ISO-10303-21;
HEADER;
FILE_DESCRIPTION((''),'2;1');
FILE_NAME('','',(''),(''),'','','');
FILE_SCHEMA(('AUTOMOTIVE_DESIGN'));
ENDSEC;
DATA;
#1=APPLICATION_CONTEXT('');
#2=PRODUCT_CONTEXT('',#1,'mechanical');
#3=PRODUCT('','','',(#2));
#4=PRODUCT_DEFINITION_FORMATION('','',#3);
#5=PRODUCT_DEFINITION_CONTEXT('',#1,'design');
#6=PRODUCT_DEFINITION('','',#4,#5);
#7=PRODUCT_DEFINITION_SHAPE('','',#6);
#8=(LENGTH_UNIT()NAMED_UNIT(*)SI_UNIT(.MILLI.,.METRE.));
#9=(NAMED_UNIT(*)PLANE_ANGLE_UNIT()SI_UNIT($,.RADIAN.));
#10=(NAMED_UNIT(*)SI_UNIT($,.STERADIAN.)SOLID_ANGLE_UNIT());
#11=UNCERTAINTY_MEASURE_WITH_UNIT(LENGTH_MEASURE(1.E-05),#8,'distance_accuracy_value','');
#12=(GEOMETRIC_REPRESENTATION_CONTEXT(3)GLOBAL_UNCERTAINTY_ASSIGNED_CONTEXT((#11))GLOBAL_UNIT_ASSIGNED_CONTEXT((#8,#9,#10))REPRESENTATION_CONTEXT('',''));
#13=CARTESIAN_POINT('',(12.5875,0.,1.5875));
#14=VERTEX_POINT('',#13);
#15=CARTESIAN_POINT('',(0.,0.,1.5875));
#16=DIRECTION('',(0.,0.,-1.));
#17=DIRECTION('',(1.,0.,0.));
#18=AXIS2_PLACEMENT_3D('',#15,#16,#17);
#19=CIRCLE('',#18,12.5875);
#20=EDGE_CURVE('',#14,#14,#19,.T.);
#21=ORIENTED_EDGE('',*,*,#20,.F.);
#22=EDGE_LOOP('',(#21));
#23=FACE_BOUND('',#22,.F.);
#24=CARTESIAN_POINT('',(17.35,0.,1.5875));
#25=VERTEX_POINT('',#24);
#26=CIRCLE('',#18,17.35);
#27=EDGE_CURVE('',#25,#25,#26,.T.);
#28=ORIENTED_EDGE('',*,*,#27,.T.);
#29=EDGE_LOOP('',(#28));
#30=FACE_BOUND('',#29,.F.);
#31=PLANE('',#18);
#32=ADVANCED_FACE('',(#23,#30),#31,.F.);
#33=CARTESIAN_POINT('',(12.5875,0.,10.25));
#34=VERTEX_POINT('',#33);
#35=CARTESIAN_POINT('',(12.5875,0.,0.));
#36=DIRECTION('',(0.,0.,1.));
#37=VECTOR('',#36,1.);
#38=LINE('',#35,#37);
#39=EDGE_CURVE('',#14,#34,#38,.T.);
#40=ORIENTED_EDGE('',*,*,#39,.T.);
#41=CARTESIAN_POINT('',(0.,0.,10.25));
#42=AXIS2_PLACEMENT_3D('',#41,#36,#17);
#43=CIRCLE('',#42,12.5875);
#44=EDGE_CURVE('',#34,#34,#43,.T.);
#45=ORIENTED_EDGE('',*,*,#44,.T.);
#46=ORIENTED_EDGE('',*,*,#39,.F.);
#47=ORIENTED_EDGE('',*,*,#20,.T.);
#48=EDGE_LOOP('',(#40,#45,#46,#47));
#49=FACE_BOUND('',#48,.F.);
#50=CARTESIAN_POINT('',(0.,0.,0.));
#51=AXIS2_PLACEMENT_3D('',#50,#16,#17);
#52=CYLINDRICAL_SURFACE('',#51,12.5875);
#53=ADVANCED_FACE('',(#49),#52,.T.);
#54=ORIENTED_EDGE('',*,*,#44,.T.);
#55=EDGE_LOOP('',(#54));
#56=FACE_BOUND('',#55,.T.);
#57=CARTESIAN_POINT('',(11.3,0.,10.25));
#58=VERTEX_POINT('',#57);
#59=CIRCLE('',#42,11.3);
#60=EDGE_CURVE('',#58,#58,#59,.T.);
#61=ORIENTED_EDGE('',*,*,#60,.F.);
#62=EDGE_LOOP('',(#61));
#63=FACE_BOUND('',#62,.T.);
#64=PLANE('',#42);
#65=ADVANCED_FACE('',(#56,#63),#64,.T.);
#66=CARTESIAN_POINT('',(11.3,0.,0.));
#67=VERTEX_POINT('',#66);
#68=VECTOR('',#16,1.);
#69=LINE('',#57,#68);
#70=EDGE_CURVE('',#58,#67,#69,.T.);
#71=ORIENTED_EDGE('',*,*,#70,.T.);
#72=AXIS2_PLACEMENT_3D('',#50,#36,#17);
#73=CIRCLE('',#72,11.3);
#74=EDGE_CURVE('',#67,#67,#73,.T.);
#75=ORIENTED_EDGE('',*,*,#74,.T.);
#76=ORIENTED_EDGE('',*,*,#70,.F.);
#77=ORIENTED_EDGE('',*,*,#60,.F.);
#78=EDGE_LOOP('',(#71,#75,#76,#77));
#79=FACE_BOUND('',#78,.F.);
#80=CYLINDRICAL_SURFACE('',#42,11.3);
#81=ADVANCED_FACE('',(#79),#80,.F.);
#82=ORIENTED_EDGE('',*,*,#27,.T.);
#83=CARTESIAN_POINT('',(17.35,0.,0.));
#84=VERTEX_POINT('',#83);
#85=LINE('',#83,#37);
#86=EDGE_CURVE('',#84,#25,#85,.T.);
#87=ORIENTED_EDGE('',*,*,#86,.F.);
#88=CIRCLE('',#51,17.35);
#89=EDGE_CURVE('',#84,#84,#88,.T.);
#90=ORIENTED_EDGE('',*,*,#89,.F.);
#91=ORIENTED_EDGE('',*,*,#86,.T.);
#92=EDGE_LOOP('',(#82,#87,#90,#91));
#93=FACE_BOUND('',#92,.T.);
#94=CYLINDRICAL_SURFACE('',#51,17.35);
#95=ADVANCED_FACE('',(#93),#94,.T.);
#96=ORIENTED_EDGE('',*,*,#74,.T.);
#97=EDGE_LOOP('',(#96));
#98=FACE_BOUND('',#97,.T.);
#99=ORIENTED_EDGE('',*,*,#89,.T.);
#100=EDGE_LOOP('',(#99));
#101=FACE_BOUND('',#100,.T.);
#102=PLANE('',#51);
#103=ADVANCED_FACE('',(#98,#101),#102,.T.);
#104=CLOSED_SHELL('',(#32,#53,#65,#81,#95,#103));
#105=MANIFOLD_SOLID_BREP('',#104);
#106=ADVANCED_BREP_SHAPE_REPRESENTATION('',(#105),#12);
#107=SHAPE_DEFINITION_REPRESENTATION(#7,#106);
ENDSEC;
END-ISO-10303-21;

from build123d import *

# Parameters (mm, degrees)
SKETCH_R        = 12.5875
PAD_DEPTH       = 10.25
SKETCH005_R     = 17.35
PAD002_DEPTH    = 1.5875
SKETCH004_R     = 11.3
POCKET002_DEPTH = 10.251


with BuildPart() as part:
    # Sketch → Pad (new body)
    with BuildSketch(Plane.XY):
        Circle(SKETCH_R)
    extrude(amount=PAD_DEPTH)

    # Sketch005 (on Face2 of Pad) → Pad002 (new body)
    with BuildSketch(Plane(origin=(0, 0, 0), x_dir=(1, 0, 0), z_dir=(0, 0, -1))):
        Circle(SKETCH005_R)
    extrude(amount=-PAD002_DEPTH)

    # Sketch004 (on Face3 of Pad) → Pocket002 (cut, through all)
    with BuildSketch(Plane.XY.offset(10.25)):
        Circle(SKETCH004_R)
    extrude(amount=-POCKET002_DEPTH, mode=Mode.SUBTRACT)


solid = part.part
